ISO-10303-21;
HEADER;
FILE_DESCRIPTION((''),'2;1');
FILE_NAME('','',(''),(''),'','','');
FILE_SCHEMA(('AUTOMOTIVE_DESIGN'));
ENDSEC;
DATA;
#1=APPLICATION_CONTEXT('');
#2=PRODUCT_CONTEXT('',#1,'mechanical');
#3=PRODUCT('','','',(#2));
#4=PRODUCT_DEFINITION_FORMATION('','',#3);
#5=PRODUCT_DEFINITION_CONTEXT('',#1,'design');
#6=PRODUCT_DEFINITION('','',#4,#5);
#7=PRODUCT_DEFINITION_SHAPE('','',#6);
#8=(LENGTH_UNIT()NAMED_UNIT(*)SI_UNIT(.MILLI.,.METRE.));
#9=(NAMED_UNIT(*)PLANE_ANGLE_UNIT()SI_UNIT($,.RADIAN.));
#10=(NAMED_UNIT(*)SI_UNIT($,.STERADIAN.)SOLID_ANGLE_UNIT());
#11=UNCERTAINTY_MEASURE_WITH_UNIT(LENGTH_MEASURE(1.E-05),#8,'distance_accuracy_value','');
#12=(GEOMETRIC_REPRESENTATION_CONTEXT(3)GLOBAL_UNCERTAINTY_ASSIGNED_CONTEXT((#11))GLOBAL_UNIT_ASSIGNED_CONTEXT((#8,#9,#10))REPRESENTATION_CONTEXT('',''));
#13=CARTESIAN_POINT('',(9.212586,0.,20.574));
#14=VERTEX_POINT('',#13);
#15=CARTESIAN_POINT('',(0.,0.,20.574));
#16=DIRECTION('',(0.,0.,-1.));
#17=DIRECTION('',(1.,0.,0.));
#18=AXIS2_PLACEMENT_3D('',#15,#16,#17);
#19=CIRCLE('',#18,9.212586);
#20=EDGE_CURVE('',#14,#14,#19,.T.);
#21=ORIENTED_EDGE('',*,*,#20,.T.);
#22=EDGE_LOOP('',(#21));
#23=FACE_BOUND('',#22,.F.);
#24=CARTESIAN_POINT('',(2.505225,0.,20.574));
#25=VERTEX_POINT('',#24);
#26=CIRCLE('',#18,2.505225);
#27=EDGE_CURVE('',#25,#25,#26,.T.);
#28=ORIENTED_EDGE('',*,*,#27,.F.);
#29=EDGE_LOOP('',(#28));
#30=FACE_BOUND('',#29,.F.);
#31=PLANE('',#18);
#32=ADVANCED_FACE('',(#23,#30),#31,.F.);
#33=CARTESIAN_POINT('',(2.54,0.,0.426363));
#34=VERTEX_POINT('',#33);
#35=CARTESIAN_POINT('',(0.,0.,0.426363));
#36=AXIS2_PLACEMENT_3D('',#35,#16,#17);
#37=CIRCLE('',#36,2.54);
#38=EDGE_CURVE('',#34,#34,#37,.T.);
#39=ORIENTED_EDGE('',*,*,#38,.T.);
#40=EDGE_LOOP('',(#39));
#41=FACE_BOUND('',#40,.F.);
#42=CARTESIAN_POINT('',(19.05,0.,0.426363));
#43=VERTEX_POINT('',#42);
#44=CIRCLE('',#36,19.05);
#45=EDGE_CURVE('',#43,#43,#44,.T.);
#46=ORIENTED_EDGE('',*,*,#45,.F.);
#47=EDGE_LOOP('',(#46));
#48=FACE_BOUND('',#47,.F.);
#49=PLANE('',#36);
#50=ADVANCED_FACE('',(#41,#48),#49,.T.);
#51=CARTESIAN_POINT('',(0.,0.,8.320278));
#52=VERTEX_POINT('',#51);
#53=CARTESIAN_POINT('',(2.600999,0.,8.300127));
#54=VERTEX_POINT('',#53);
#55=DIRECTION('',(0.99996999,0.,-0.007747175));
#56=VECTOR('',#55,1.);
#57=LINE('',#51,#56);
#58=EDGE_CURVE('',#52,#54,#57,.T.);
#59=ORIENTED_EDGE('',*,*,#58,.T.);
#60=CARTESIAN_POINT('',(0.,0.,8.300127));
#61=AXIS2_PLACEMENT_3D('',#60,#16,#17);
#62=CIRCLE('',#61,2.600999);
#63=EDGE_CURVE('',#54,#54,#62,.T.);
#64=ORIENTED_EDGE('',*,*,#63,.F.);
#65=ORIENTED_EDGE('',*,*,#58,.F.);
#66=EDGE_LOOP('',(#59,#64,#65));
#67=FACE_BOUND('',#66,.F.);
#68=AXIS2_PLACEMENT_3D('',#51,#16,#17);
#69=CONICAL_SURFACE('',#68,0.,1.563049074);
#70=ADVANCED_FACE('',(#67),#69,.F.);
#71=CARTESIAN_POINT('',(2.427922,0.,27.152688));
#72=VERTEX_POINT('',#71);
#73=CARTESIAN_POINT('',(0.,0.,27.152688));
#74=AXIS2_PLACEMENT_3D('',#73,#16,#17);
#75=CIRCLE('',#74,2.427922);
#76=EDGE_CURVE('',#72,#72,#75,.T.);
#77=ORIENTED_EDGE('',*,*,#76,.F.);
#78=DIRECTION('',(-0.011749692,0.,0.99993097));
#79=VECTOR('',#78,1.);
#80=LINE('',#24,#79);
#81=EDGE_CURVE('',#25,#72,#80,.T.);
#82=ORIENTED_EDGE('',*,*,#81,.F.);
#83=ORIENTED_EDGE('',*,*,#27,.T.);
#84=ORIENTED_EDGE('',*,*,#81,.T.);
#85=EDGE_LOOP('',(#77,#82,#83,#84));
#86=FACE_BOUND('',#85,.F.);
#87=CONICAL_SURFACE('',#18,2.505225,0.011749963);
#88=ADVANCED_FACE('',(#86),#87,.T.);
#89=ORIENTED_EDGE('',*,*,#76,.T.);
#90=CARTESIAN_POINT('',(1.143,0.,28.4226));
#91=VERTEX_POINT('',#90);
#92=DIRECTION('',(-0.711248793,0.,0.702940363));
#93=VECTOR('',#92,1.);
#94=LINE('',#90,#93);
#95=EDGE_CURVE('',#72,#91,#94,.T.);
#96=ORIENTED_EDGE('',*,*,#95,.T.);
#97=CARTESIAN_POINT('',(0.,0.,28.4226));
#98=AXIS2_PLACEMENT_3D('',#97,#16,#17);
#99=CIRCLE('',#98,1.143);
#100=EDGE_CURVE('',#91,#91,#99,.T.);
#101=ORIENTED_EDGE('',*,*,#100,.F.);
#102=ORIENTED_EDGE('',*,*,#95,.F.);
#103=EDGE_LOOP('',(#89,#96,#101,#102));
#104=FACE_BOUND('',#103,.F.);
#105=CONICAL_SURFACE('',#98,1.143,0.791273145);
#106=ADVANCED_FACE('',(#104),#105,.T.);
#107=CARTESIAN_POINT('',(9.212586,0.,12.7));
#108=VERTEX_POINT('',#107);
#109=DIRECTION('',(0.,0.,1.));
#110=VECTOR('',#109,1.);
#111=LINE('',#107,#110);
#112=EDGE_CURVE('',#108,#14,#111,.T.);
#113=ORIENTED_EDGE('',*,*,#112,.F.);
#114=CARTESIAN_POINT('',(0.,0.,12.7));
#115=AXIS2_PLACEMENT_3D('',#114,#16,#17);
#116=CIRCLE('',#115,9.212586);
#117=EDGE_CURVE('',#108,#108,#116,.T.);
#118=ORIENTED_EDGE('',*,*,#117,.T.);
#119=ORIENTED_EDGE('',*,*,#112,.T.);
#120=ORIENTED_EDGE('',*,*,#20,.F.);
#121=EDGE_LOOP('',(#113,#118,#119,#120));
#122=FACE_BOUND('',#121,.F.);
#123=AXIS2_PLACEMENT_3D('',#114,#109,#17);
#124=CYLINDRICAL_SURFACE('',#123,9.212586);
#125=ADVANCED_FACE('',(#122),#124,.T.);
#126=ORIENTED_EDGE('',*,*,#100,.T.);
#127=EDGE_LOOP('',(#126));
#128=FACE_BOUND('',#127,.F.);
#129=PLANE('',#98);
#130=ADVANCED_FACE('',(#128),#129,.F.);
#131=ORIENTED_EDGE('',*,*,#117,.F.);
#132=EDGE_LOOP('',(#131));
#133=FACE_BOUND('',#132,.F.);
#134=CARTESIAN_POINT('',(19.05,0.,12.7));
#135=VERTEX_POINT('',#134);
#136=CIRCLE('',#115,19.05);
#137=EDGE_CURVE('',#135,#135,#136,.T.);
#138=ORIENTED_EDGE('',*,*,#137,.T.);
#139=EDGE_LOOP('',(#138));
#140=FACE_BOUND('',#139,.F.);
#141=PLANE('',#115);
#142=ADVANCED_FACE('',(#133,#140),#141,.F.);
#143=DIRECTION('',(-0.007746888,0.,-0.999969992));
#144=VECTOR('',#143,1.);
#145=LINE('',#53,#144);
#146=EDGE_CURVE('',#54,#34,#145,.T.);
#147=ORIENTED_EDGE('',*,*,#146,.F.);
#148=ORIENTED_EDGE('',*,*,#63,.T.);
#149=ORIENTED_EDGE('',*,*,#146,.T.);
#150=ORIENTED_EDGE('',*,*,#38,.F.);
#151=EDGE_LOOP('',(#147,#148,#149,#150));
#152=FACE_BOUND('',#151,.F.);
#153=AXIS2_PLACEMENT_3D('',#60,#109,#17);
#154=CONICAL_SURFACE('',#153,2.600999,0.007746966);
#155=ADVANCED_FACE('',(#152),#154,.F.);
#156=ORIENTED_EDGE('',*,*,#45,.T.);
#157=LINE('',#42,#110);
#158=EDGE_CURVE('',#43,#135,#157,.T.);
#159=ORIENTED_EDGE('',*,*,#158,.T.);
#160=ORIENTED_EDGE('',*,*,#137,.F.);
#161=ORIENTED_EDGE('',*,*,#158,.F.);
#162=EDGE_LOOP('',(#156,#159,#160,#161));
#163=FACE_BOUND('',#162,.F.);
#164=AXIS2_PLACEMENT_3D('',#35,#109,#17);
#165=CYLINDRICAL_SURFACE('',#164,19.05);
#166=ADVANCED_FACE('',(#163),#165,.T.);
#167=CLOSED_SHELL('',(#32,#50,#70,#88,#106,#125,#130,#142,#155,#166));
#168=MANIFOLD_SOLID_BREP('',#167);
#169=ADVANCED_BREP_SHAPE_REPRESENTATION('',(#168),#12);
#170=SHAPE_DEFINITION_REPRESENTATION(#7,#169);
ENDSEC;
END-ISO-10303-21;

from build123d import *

# Parameters (mm, degrees)
F2_SIZE = 1.27


with BuildPart() as f1:
    # F0 (on Front) → F1 (revolve)
    with BuildSketch(Plane.XZ):
        Polygon((2.54, 0.426363), (19.05, 0.426363), (19.05, 12.7), (9.212586, 12.7), (9.212586, 20.574), (2.54, 20.574), (2.505225, 20.574), (2.413, 28.4226), (0, 28.4226), (0, 8.320278), (2.600999, 8.300127), align=None)
    revolve(axis=Axis((0, 0, 18.371439), (0, 0, -1)))

    # F2
    f2_edges = [f1.edges().sort_by_distance(p)[0] for p in [
        (-2.413, 0, 28.4226),
    ]]
    chamfer(f2_edges, length=F2_SIZE)


solid = f1.part
